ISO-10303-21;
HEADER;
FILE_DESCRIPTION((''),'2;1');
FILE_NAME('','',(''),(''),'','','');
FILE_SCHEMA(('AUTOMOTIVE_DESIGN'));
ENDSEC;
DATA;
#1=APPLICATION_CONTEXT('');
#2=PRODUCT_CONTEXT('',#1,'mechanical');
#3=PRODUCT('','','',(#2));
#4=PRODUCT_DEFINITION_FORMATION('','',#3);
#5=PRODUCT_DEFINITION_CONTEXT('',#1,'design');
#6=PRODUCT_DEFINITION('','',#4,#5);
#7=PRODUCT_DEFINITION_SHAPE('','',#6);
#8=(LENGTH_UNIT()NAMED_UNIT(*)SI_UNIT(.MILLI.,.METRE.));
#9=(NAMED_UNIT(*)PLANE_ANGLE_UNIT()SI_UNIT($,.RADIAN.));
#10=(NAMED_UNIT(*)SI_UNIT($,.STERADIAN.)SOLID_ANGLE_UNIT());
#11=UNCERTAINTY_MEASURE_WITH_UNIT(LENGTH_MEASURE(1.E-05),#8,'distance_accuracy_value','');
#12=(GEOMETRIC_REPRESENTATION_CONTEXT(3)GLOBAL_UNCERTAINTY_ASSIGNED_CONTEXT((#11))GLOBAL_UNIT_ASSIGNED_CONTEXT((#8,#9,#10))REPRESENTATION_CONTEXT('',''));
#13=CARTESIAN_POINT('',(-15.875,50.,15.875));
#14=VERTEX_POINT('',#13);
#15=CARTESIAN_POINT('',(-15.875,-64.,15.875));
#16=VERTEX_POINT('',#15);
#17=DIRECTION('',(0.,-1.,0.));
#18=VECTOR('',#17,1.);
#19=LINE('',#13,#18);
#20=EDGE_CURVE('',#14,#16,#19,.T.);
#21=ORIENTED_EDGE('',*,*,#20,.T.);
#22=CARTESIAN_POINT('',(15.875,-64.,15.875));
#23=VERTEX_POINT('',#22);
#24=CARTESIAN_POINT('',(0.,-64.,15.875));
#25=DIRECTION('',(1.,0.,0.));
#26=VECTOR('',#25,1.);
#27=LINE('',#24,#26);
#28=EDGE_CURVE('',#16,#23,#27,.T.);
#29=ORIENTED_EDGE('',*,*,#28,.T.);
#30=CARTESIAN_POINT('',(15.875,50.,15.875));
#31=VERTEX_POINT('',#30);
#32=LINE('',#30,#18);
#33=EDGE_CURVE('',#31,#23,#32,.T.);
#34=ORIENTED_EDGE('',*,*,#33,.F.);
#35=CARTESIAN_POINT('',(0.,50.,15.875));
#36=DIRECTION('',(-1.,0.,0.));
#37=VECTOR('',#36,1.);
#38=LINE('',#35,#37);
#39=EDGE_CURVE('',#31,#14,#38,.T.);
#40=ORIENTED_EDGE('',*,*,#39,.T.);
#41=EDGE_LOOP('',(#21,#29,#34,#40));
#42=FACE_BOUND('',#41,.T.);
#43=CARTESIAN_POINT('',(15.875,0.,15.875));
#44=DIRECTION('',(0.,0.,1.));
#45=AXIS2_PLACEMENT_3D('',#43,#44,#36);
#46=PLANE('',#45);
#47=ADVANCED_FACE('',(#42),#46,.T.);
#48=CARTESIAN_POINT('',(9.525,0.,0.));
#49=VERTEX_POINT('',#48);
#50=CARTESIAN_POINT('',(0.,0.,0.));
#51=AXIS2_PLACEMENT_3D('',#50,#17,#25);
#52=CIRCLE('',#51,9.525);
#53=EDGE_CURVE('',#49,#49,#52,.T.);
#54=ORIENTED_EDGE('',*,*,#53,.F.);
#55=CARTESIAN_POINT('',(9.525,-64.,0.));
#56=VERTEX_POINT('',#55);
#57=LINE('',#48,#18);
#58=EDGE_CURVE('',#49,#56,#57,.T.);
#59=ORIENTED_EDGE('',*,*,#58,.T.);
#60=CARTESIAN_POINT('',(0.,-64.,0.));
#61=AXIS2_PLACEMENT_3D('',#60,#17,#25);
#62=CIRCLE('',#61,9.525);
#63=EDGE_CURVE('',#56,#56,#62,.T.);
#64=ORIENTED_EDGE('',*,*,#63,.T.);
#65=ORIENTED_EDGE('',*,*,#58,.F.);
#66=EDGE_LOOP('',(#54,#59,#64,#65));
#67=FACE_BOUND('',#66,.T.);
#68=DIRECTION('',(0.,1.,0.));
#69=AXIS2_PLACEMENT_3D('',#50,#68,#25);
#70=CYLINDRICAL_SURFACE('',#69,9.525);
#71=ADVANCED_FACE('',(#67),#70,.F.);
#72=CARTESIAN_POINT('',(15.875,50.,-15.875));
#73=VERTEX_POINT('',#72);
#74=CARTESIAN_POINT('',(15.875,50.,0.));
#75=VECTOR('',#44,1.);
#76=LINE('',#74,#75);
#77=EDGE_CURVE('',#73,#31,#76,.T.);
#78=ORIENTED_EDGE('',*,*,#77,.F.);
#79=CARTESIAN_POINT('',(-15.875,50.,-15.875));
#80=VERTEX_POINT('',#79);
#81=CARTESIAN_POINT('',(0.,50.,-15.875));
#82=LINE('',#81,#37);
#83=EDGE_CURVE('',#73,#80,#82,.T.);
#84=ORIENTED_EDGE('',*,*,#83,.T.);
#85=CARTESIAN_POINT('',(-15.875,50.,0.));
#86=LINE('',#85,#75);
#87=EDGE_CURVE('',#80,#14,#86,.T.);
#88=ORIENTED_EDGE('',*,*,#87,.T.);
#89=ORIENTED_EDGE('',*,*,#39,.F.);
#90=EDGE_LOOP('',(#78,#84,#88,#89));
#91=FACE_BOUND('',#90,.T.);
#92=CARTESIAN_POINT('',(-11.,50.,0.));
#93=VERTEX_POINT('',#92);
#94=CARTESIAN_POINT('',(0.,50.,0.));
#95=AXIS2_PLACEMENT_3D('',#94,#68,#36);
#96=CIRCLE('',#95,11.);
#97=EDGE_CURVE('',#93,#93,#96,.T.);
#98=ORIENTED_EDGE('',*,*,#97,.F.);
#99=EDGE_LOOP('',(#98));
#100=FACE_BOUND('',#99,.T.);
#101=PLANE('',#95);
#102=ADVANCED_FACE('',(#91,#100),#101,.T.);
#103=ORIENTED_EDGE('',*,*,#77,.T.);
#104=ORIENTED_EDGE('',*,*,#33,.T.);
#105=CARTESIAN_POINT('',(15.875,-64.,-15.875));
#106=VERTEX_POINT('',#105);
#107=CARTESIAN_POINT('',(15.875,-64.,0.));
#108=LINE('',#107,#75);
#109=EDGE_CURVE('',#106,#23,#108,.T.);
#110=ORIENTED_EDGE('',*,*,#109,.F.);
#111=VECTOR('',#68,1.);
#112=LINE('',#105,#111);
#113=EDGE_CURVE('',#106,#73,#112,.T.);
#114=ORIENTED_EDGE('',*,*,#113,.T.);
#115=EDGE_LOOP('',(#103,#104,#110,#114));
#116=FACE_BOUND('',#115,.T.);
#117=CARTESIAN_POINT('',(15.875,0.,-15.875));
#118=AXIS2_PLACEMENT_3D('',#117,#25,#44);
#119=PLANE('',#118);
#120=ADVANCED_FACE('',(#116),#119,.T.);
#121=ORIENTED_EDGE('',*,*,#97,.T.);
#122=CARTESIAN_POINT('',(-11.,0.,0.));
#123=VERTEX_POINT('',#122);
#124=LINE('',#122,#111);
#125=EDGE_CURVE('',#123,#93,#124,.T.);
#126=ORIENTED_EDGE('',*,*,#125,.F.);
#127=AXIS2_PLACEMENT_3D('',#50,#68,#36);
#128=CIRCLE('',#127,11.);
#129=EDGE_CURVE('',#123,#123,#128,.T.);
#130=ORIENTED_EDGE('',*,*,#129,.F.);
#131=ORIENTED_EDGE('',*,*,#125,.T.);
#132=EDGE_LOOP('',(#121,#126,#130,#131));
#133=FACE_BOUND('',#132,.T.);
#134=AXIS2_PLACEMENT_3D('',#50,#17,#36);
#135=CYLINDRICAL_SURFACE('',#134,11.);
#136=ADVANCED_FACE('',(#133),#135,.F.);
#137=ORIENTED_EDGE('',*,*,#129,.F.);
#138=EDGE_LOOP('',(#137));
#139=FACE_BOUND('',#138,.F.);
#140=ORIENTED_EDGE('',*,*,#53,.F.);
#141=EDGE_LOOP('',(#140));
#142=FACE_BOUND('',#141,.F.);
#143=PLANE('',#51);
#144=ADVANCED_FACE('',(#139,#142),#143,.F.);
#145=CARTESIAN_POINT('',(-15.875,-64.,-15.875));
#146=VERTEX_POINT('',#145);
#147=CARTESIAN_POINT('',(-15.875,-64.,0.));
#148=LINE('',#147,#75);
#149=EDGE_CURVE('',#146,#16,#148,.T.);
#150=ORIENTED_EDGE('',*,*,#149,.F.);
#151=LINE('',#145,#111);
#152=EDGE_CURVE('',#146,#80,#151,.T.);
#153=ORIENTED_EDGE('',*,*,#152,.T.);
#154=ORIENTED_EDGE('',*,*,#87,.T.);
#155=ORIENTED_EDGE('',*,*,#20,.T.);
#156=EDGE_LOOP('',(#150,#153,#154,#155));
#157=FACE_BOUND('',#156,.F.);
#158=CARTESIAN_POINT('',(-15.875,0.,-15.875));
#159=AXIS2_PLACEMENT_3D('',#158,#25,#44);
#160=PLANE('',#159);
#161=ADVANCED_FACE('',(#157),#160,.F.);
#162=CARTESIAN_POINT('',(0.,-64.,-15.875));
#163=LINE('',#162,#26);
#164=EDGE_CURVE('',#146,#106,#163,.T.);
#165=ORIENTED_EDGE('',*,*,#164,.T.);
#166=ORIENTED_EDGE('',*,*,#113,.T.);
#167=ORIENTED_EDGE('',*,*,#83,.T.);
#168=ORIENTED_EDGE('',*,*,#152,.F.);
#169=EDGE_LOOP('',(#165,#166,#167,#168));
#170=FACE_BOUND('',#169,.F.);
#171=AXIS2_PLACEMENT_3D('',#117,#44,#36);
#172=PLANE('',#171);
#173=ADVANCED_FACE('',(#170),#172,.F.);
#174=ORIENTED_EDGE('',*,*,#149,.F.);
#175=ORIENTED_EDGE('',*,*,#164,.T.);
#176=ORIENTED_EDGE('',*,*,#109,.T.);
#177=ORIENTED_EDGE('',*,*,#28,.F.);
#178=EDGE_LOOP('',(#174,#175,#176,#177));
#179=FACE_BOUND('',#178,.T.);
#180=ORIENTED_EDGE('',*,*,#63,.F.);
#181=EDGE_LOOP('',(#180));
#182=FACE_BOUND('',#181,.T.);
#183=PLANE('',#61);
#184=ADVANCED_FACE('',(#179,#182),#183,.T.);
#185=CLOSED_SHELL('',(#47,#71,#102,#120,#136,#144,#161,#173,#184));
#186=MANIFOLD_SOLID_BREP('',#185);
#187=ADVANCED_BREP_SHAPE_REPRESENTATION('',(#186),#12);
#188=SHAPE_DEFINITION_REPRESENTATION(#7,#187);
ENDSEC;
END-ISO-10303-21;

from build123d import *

# Parameters (mm, degrees)
F0_W     = 31.75
F0_H     = 31.75
F0_R     = 9.525
F1_DEPTH = 64
F2_W     = 31.75
F2_H     = 31.75
F2_R     = 11
F3_DEPTH = 50


with BuildPart() as f1:
    # F0 (on Front) → F1 (new body)
    with BuildSketch(Plane.XZ):
        Rectangle(F0_W, F0_H)
        Circle(F0_R, mode=Mode.SUBTRACT)
    extrude(amount=F1_DEPTH)

    # F2 (on face) → F3 (join)
    with BuildSketch(Plane(origin=(0, 0, 0), x_dir=(-1, 0, 0), z_dir=(0, 1, 0))):
        Rectangle(F2_W, F2_H)
        Circle(F2_R, mode=Mode.SUBTRACT)
    extrude(amount=F3_DEPTH)


solid = f1.part
